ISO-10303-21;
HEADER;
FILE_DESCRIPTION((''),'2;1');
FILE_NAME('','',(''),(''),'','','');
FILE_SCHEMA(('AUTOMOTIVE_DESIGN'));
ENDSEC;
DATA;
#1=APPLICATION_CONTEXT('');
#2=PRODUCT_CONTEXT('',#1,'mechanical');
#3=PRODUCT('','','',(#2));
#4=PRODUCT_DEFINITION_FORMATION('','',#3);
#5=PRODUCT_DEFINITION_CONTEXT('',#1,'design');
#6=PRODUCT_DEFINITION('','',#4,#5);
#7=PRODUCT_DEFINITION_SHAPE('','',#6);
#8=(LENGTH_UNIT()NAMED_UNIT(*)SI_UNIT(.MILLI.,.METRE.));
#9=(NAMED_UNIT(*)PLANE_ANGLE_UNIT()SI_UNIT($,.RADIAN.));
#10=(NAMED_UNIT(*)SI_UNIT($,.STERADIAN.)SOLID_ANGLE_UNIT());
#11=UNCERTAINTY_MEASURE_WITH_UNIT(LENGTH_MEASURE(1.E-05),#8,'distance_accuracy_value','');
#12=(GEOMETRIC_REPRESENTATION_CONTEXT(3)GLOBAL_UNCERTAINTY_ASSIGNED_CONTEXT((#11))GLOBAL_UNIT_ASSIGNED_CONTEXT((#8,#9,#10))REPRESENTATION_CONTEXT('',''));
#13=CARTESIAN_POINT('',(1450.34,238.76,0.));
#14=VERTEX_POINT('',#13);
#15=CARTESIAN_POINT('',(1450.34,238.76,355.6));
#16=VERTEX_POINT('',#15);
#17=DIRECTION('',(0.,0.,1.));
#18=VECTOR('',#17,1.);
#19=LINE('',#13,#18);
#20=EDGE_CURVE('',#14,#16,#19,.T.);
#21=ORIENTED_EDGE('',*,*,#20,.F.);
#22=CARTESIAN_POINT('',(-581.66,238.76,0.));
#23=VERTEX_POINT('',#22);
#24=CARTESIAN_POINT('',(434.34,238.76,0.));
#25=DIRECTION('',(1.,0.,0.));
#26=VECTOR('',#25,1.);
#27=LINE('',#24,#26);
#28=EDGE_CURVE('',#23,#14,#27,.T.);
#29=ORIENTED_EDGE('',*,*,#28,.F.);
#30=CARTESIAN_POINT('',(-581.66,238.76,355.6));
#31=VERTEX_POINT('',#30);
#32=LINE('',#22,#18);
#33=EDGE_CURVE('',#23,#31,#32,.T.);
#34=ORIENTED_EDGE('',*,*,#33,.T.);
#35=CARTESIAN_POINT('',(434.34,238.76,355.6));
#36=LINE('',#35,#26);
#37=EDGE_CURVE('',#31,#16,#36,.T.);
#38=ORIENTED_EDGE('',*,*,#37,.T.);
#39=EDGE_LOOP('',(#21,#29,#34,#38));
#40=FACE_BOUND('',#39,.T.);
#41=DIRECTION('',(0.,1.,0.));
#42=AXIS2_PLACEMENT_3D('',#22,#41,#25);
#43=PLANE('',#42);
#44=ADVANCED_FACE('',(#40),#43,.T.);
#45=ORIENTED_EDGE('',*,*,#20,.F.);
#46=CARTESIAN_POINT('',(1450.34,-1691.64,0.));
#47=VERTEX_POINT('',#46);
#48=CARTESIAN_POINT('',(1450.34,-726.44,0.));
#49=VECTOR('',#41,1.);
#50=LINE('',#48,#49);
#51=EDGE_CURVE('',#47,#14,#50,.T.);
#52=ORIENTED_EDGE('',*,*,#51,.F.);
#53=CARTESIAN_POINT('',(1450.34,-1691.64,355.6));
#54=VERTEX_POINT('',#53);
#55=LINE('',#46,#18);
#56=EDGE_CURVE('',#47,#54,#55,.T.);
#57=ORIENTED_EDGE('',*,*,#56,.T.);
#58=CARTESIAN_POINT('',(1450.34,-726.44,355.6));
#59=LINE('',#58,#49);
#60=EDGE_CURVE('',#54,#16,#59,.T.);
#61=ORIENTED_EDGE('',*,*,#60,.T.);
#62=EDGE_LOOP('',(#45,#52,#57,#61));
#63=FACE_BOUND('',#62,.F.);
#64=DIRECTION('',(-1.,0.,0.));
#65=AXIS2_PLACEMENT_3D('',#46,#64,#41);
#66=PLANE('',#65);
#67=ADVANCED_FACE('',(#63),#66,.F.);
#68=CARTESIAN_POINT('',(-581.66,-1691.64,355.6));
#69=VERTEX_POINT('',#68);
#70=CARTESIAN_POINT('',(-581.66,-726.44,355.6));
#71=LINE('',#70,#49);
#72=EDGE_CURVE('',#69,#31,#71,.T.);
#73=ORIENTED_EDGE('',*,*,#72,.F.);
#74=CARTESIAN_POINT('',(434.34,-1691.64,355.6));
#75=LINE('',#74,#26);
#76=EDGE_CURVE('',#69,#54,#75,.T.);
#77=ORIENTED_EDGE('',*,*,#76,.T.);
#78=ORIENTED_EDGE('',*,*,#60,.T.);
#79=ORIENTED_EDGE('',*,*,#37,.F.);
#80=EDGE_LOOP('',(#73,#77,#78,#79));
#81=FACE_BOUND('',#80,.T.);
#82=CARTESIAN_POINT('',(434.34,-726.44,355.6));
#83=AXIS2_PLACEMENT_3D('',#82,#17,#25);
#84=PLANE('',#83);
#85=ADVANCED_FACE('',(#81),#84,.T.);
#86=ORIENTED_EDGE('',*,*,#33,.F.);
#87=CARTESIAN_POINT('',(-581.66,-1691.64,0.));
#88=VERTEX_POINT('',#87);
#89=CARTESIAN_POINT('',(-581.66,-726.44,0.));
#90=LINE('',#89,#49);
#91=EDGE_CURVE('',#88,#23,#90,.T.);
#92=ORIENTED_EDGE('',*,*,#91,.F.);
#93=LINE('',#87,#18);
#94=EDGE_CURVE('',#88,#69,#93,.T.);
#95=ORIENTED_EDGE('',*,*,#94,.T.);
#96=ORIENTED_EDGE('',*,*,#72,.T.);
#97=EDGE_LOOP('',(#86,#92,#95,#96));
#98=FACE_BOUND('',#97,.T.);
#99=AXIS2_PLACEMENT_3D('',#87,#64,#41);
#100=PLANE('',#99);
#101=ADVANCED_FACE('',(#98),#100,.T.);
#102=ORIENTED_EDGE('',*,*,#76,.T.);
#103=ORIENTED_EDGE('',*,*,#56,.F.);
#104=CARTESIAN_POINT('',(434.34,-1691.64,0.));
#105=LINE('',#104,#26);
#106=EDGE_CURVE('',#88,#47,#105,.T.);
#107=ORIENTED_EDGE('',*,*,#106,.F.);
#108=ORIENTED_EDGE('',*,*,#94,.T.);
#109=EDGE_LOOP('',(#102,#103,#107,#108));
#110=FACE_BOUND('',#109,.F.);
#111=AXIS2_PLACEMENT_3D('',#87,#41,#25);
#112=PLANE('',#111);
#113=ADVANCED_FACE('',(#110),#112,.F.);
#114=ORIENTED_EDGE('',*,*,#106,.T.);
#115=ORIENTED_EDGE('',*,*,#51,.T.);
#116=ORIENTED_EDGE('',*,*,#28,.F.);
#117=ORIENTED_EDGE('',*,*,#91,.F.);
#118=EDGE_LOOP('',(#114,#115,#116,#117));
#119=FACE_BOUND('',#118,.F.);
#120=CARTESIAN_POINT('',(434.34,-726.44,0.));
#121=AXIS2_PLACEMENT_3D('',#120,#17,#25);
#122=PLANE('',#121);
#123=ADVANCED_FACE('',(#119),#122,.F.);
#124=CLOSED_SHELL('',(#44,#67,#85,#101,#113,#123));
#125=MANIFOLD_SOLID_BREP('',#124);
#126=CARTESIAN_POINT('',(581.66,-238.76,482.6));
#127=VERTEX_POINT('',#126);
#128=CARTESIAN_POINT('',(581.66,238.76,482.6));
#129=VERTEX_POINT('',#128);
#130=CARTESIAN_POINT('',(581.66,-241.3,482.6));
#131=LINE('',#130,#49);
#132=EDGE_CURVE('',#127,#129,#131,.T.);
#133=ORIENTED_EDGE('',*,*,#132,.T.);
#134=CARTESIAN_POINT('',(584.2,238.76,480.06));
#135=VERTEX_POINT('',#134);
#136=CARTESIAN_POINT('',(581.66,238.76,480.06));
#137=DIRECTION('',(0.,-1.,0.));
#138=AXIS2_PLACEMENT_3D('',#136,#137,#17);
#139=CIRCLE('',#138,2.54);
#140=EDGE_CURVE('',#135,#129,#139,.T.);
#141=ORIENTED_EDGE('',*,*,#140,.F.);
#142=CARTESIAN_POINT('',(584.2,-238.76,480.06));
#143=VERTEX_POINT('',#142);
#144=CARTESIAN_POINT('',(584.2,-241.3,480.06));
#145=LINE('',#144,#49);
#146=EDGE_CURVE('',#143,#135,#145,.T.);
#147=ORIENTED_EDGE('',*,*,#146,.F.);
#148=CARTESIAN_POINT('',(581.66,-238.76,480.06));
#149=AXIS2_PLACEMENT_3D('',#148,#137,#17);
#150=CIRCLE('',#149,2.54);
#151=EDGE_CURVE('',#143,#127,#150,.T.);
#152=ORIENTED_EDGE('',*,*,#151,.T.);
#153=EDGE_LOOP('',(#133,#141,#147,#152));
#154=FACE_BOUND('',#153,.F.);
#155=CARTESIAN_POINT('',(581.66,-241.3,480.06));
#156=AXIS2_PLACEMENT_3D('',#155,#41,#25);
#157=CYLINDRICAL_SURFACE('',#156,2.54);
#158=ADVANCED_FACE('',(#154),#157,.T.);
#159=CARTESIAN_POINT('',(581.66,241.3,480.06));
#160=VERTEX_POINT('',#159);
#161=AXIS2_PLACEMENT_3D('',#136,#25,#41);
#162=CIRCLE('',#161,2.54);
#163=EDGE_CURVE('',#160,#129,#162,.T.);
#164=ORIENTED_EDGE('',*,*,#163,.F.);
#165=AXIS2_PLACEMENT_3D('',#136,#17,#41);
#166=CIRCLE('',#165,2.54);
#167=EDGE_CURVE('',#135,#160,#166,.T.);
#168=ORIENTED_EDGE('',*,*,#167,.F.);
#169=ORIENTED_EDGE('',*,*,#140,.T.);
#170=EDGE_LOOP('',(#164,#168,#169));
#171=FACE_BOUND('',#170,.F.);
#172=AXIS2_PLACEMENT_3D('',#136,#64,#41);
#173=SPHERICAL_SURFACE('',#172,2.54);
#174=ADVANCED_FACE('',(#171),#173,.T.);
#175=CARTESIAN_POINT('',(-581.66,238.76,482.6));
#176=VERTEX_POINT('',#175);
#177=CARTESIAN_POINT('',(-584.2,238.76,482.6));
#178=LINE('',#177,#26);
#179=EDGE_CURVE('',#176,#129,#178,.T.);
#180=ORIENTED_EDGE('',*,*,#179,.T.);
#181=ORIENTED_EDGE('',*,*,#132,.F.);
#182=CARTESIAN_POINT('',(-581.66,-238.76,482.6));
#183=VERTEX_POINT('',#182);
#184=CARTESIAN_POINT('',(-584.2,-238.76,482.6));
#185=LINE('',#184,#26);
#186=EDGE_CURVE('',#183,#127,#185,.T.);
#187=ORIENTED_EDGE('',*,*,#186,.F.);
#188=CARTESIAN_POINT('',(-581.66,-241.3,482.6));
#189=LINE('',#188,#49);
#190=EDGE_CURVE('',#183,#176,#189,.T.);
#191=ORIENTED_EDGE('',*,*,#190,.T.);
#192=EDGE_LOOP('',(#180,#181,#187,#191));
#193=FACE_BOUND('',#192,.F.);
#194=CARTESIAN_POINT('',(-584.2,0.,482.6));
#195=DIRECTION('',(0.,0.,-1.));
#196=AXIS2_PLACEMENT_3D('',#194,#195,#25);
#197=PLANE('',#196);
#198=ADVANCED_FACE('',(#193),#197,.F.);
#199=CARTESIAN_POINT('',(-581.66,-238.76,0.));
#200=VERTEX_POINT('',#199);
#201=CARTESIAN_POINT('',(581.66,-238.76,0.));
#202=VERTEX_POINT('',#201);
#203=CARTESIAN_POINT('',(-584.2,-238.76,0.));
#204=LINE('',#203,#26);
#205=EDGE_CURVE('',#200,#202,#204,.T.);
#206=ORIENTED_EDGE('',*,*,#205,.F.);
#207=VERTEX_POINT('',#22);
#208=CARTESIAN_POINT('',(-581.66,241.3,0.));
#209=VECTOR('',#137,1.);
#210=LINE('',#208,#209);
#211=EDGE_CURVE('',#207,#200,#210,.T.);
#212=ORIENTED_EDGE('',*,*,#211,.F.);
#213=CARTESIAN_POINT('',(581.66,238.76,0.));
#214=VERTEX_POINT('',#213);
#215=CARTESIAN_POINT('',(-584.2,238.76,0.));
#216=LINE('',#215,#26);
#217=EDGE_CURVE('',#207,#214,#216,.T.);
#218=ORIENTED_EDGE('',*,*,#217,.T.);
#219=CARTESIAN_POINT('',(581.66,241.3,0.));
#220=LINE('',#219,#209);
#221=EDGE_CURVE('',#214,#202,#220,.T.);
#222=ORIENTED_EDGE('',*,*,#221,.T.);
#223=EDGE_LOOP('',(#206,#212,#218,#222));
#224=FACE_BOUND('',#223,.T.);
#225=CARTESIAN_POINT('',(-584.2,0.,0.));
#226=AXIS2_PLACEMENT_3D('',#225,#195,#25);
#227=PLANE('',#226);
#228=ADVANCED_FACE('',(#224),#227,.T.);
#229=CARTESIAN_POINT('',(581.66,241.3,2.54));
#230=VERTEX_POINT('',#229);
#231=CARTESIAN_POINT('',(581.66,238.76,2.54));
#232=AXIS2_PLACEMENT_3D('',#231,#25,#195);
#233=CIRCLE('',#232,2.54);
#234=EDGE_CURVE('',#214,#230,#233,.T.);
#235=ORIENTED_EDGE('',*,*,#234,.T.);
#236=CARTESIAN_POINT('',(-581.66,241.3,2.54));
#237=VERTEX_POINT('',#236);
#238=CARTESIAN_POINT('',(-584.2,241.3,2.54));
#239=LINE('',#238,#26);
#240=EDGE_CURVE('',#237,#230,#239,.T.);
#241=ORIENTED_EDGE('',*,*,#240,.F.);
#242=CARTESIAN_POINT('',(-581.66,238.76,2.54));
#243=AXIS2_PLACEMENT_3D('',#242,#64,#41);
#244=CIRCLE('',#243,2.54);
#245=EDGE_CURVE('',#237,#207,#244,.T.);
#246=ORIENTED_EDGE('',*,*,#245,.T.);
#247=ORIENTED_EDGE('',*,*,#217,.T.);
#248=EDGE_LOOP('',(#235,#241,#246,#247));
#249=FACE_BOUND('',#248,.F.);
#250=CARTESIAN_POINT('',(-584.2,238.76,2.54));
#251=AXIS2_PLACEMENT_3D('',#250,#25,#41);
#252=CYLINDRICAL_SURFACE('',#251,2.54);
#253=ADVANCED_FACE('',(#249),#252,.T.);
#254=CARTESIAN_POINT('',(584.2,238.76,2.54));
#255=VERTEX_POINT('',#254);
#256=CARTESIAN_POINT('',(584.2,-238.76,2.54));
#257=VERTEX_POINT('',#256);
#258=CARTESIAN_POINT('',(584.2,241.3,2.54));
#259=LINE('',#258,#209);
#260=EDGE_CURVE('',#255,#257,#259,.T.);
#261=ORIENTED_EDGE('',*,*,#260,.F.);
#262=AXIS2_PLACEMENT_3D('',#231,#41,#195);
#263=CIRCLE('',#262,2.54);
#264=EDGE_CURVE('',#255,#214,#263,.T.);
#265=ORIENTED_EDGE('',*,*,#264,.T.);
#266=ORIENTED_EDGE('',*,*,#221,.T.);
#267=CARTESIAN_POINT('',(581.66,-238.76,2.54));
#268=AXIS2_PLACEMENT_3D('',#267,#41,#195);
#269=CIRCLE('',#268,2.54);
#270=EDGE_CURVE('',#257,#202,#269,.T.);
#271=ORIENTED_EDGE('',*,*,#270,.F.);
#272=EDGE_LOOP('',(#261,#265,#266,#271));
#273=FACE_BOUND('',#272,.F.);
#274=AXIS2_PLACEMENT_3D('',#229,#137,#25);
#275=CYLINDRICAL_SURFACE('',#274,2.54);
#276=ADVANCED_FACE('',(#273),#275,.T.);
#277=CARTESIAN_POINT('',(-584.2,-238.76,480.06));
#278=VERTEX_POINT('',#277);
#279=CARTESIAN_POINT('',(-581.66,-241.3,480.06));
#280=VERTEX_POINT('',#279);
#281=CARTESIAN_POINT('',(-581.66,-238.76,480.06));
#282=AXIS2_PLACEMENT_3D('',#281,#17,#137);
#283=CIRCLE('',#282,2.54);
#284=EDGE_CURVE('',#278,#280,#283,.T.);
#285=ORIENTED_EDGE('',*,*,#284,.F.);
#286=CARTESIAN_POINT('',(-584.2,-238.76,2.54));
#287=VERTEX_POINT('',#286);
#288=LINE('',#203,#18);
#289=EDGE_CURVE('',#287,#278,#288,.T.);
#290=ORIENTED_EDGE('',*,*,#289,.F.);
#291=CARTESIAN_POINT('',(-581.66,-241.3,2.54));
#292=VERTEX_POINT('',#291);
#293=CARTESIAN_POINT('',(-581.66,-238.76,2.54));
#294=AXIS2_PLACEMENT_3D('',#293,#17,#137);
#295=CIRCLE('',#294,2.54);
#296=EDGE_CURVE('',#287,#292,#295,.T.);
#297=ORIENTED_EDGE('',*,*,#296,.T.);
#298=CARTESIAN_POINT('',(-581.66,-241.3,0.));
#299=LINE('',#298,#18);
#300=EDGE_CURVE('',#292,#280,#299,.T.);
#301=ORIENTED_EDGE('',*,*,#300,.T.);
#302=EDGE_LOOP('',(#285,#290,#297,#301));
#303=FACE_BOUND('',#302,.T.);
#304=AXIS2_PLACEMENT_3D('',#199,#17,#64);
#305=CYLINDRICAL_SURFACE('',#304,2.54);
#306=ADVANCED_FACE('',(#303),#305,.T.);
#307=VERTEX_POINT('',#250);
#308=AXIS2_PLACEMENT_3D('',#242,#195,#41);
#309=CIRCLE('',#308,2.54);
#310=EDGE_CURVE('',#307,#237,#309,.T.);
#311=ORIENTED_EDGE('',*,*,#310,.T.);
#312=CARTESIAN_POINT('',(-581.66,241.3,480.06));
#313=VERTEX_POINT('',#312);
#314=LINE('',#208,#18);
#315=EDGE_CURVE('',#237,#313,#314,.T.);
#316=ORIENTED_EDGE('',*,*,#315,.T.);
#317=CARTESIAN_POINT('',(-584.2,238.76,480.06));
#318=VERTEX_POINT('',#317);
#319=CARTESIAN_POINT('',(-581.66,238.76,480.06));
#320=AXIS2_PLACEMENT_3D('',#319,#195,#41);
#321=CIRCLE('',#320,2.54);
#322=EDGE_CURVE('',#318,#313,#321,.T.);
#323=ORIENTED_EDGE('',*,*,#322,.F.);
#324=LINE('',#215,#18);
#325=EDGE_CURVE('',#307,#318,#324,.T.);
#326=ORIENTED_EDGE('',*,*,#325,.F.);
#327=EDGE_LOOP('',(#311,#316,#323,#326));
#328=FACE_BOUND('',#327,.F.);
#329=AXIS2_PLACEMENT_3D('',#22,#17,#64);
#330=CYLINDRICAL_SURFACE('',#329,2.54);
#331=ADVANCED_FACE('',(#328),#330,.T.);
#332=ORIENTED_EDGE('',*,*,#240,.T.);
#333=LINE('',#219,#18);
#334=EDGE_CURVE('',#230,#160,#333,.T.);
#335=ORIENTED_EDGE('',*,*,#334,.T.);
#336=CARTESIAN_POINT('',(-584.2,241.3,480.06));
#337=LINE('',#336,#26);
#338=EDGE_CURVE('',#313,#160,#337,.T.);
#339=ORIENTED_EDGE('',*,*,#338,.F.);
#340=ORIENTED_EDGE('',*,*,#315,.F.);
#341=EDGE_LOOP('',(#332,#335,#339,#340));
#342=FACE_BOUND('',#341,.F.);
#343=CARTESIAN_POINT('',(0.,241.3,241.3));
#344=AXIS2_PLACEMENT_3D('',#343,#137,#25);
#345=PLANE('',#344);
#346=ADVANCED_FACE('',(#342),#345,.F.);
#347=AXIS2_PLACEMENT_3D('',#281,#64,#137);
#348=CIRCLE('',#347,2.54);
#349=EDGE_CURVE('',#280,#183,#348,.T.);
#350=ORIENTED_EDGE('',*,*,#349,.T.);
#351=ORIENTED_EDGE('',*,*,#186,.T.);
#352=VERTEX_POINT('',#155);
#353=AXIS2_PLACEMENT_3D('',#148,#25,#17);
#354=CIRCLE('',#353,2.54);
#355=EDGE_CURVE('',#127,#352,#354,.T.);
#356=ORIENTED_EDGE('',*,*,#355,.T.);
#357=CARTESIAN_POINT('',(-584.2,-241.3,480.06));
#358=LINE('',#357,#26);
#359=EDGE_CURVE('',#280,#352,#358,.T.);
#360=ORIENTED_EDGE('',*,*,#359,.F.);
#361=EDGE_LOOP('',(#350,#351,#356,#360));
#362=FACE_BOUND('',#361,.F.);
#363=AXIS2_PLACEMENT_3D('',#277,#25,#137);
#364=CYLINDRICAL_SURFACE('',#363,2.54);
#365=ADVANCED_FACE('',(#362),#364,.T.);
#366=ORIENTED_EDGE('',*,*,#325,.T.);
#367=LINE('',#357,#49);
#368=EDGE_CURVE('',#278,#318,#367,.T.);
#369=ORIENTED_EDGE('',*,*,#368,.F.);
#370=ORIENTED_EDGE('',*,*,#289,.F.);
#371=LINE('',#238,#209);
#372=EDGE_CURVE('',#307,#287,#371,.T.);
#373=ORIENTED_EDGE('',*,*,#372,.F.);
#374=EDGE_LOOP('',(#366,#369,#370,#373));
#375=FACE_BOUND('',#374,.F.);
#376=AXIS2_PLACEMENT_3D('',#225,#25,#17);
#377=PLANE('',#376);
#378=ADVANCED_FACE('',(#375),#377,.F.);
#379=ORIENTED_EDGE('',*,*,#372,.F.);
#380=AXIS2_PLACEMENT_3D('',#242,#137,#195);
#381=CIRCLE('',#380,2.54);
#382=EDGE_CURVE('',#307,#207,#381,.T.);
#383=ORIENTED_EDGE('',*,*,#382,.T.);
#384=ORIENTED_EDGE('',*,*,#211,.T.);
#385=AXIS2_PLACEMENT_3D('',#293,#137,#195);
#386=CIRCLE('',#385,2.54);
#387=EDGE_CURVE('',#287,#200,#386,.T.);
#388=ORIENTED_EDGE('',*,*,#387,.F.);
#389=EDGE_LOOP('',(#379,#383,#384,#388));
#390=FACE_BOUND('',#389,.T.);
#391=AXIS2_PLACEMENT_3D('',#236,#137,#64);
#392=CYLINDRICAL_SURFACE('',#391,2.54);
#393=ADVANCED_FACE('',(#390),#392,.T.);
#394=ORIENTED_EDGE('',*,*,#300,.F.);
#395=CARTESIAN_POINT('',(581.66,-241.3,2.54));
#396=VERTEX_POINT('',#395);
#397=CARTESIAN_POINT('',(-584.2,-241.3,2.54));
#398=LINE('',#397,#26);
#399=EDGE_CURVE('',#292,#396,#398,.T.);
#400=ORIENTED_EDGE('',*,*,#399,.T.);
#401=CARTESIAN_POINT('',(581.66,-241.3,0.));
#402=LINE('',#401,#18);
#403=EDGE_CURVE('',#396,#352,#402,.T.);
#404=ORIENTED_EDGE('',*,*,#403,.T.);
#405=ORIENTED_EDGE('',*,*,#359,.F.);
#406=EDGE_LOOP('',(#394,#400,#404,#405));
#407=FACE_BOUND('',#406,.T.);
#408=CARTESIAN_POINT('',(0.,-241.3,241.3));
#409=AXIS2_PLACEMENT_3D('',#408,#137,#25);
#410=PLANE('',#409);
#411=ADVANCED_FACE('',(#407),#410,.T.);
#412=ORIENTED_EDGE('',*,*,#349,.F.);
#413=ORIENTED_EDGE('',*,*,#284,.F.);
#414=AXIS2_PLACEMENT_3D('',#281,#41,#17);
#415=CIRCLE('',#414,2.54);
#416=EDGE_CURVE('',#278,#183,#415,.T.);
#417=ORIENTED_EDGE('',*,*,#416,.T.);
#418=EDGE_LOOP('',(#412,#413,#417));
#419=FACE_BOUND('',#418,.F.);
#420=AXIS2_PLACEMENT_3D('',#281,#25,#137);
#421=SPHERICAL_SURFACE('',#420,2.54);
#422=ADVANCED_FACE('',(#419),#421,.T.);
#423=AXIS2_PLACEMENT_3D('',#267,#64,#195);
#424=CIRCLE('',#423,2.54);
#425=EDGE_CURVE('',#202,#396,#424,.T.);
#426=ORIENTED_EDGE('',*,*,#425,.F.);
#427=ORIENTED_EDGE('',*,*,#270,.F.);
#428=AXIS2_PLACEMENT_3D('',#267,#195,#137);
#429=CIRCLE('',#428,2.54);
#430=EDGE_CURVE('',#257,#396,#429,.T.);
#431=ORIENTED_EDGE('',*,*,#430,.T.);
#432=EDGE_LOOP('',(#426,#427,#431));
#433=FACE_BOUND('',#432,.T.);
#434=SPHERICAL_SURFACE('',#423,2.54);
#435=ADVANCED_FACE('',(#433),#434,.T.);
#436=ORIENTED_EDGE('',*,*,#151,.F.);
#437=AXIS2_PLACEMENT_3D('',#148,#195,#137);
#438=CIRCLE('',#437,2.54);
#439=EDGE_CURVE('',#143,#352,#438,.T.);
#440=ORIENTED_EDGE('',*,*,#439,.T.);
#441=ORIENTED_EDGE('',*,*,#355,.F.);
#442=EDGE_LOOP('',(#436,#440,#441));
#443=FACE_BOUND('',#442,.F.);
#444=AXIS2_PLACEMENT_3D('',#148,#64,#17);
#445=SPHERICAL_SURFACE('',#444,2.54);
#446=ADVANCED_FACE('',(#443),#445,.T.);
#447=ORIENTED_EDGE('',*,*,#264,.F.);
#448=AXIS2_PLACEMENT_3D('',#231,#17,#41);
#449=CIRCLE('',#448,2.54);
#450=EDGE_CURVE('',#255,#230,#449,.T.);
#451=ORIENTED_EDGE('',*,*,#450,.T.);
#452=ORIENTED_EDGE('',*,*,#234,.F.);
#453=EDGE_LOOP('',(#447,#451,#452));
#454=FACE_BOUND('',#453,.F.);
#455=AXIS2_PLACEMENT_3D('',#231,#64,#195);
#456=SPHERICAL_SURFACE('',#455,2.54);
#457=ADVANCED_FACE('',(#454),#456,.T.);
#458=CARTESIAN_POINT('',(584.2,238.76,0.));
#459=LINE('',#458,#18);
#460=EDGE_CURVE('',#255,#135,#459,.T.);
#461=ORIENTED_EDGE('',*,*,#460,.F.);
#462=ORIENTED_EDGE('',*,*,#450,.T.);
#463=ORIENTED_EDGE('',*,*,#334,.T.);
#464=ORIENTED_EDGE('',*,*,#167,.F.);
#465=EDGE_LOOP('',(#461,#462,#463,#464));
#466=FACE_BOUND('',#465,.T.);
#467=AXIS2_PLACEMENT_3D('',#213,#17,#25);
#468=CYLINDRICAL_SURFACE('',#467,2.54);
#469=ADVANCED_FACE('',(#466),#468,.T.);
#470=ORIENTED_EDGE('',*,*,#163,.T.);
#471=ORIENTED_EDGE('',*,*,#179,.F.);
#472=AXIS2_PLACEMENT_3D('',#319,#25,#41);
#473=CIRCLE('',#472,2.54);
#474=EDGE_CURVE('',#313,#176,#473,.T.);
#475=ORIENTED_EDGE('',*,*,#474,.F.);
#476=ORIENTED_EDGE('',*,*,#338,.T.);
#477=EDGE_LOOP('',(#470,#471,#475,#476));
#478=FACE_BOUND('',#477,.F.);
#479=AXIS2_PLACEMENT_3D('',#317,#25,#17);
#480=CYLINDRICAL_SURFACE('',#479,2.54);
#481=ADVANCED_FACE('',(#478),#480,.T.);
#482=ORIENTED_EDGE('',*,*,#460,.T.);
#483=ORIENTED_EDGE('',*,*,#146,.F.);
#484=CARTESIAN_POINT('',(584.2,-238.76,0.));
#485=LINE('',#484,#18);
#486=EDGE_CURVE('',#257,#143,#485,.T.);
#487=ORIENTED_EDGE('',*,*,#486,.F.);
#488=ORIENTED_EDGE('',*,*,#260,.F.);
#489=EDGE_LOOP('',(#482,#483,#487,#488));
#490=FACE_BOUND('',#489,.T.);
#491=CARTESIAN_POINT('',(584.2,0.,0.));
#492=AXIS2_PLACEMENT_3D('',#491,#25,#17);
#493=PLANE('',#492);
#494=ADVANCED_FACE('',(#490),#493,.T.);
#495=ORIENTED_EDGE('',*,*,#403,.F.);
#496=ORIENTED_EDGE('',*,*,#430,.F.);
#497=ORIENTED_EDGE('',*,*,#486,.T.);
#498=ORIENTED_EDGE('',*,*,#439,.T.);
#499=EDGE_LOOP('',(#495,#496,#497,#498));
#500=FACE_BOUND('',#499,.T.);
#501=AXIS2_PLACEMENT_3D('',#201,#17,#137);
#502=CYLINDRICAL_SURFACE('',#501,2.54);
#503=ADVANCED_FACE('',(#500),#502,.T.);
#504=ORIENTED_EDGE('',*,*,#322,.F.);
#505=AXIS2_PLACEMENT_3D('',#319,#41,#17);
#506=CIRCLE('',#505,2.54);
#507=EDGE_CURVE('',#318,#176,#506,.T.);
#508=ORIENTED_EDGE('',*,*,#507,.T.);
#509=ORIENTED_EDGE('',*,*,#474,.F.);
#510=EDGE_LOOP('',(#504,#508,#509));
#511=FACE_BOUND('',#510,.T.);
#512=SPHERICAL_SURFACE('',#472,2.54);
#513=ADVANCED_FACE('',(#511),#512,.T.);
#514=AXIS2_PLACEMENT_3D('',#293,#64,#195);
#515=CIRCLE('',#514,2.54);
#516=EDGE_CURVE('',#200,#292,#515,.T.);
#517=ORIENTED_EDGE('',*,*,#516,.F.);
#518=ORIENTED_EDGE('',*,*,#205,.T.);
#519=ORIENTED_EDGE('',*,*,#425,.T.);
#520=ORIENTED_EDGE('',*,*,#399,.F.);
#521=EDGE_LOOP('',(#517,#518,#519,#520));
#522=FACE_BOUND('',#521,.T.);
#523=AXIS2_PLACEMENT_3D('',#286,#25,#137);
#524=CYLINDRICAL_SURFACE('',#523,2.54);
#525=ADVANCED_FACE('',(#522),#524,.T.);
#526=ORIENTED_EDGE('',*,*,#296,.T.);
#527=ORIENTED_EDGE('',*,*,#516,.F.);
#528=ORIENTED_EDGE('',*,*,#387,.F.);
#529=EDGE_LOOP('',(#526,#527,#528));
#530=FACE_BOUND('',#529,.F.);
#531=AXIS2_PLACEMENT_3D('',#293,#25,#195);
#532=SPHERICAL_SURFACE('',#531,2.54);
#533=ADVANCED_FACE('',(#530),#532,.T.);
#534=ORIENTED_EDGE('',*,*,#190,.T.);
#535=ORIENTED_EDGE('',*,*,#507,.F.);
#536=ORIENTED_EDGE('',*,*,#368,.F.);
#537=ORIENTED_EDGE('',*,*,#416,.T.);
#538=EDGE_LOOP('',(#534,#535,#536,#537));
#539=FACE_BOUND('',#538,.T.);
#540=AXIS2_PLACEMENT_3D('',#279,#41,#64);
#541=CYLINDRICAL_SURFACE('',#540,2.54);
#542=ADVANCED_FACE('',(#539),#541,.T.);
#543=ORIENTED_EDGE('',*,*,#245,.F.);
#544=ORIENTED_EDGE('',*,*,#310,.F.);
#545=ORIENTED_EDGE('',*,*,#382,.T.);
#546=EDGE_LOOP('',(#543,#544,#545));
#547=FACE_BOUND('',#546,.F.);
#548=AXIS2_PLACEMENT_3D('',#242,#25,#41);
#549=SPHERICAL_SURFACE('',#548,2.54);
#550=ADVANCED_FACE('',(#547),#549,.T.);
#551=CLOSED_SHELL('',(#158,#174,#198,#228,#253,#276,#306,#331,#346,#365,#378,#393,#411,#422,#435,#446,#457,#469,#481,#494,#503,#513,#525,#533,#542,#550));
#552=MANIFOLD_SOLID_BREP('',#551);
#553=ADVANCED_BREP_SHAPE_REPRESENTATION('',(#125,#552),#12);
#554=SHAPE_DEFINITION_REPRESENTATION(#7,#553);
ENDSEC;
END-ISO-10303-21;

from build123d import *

# Parameters (mm, degrees)
F0_W     = 1168.4
F0_H     = 482.6
F1_DEPTH = 241.3
F2_R     = 2.54
F3_W     = 2032
F3_H     = 1930.4
F4_DEPTH = 355.6


with BuildPart() as f1:
    # F0 (on Front) → F1 (new body, symmetric)
    with BuildSketch(Plane.XZ):
        with Locations((0, 241.3)):
            Rectangle(F0_W, F0_H)
    extrude(amount=F1_DEPTH, both=True)

    # F2
    f2_edges = [f1.edges().sort_by_distance(p)[0] for p in [
        (0, -241.3, 482.6),
        (0, -241.3, 0),
        (0, 241.3, 482.6),
        (0, 241.3, 0),
        (584.2, 0, 0),
        (584.2, 241.3, 241.3),
        (584.2, 0, 482.6),
        (584.2, -241.3, 241.3),
        (-584.2, 241.3, 241.3),
        (-584.2, 0, 0),
        (-584.2, -241.3, 241.3),
        (-584.2, 0, 482.6),
    ]]
    fillet(f2_edges, radius=F2_R)


with BuildPart() as f4:
    # F3 (on Top) → F4 (new body)
    with BuildSketch(Plane.XY):
        with Locations((434.34, -726.44)):
            Rectangle(F3_W, F3_H)
    extrude(amount=F4_DEPTH)


solid = Compound([f1.part, f4.part])
